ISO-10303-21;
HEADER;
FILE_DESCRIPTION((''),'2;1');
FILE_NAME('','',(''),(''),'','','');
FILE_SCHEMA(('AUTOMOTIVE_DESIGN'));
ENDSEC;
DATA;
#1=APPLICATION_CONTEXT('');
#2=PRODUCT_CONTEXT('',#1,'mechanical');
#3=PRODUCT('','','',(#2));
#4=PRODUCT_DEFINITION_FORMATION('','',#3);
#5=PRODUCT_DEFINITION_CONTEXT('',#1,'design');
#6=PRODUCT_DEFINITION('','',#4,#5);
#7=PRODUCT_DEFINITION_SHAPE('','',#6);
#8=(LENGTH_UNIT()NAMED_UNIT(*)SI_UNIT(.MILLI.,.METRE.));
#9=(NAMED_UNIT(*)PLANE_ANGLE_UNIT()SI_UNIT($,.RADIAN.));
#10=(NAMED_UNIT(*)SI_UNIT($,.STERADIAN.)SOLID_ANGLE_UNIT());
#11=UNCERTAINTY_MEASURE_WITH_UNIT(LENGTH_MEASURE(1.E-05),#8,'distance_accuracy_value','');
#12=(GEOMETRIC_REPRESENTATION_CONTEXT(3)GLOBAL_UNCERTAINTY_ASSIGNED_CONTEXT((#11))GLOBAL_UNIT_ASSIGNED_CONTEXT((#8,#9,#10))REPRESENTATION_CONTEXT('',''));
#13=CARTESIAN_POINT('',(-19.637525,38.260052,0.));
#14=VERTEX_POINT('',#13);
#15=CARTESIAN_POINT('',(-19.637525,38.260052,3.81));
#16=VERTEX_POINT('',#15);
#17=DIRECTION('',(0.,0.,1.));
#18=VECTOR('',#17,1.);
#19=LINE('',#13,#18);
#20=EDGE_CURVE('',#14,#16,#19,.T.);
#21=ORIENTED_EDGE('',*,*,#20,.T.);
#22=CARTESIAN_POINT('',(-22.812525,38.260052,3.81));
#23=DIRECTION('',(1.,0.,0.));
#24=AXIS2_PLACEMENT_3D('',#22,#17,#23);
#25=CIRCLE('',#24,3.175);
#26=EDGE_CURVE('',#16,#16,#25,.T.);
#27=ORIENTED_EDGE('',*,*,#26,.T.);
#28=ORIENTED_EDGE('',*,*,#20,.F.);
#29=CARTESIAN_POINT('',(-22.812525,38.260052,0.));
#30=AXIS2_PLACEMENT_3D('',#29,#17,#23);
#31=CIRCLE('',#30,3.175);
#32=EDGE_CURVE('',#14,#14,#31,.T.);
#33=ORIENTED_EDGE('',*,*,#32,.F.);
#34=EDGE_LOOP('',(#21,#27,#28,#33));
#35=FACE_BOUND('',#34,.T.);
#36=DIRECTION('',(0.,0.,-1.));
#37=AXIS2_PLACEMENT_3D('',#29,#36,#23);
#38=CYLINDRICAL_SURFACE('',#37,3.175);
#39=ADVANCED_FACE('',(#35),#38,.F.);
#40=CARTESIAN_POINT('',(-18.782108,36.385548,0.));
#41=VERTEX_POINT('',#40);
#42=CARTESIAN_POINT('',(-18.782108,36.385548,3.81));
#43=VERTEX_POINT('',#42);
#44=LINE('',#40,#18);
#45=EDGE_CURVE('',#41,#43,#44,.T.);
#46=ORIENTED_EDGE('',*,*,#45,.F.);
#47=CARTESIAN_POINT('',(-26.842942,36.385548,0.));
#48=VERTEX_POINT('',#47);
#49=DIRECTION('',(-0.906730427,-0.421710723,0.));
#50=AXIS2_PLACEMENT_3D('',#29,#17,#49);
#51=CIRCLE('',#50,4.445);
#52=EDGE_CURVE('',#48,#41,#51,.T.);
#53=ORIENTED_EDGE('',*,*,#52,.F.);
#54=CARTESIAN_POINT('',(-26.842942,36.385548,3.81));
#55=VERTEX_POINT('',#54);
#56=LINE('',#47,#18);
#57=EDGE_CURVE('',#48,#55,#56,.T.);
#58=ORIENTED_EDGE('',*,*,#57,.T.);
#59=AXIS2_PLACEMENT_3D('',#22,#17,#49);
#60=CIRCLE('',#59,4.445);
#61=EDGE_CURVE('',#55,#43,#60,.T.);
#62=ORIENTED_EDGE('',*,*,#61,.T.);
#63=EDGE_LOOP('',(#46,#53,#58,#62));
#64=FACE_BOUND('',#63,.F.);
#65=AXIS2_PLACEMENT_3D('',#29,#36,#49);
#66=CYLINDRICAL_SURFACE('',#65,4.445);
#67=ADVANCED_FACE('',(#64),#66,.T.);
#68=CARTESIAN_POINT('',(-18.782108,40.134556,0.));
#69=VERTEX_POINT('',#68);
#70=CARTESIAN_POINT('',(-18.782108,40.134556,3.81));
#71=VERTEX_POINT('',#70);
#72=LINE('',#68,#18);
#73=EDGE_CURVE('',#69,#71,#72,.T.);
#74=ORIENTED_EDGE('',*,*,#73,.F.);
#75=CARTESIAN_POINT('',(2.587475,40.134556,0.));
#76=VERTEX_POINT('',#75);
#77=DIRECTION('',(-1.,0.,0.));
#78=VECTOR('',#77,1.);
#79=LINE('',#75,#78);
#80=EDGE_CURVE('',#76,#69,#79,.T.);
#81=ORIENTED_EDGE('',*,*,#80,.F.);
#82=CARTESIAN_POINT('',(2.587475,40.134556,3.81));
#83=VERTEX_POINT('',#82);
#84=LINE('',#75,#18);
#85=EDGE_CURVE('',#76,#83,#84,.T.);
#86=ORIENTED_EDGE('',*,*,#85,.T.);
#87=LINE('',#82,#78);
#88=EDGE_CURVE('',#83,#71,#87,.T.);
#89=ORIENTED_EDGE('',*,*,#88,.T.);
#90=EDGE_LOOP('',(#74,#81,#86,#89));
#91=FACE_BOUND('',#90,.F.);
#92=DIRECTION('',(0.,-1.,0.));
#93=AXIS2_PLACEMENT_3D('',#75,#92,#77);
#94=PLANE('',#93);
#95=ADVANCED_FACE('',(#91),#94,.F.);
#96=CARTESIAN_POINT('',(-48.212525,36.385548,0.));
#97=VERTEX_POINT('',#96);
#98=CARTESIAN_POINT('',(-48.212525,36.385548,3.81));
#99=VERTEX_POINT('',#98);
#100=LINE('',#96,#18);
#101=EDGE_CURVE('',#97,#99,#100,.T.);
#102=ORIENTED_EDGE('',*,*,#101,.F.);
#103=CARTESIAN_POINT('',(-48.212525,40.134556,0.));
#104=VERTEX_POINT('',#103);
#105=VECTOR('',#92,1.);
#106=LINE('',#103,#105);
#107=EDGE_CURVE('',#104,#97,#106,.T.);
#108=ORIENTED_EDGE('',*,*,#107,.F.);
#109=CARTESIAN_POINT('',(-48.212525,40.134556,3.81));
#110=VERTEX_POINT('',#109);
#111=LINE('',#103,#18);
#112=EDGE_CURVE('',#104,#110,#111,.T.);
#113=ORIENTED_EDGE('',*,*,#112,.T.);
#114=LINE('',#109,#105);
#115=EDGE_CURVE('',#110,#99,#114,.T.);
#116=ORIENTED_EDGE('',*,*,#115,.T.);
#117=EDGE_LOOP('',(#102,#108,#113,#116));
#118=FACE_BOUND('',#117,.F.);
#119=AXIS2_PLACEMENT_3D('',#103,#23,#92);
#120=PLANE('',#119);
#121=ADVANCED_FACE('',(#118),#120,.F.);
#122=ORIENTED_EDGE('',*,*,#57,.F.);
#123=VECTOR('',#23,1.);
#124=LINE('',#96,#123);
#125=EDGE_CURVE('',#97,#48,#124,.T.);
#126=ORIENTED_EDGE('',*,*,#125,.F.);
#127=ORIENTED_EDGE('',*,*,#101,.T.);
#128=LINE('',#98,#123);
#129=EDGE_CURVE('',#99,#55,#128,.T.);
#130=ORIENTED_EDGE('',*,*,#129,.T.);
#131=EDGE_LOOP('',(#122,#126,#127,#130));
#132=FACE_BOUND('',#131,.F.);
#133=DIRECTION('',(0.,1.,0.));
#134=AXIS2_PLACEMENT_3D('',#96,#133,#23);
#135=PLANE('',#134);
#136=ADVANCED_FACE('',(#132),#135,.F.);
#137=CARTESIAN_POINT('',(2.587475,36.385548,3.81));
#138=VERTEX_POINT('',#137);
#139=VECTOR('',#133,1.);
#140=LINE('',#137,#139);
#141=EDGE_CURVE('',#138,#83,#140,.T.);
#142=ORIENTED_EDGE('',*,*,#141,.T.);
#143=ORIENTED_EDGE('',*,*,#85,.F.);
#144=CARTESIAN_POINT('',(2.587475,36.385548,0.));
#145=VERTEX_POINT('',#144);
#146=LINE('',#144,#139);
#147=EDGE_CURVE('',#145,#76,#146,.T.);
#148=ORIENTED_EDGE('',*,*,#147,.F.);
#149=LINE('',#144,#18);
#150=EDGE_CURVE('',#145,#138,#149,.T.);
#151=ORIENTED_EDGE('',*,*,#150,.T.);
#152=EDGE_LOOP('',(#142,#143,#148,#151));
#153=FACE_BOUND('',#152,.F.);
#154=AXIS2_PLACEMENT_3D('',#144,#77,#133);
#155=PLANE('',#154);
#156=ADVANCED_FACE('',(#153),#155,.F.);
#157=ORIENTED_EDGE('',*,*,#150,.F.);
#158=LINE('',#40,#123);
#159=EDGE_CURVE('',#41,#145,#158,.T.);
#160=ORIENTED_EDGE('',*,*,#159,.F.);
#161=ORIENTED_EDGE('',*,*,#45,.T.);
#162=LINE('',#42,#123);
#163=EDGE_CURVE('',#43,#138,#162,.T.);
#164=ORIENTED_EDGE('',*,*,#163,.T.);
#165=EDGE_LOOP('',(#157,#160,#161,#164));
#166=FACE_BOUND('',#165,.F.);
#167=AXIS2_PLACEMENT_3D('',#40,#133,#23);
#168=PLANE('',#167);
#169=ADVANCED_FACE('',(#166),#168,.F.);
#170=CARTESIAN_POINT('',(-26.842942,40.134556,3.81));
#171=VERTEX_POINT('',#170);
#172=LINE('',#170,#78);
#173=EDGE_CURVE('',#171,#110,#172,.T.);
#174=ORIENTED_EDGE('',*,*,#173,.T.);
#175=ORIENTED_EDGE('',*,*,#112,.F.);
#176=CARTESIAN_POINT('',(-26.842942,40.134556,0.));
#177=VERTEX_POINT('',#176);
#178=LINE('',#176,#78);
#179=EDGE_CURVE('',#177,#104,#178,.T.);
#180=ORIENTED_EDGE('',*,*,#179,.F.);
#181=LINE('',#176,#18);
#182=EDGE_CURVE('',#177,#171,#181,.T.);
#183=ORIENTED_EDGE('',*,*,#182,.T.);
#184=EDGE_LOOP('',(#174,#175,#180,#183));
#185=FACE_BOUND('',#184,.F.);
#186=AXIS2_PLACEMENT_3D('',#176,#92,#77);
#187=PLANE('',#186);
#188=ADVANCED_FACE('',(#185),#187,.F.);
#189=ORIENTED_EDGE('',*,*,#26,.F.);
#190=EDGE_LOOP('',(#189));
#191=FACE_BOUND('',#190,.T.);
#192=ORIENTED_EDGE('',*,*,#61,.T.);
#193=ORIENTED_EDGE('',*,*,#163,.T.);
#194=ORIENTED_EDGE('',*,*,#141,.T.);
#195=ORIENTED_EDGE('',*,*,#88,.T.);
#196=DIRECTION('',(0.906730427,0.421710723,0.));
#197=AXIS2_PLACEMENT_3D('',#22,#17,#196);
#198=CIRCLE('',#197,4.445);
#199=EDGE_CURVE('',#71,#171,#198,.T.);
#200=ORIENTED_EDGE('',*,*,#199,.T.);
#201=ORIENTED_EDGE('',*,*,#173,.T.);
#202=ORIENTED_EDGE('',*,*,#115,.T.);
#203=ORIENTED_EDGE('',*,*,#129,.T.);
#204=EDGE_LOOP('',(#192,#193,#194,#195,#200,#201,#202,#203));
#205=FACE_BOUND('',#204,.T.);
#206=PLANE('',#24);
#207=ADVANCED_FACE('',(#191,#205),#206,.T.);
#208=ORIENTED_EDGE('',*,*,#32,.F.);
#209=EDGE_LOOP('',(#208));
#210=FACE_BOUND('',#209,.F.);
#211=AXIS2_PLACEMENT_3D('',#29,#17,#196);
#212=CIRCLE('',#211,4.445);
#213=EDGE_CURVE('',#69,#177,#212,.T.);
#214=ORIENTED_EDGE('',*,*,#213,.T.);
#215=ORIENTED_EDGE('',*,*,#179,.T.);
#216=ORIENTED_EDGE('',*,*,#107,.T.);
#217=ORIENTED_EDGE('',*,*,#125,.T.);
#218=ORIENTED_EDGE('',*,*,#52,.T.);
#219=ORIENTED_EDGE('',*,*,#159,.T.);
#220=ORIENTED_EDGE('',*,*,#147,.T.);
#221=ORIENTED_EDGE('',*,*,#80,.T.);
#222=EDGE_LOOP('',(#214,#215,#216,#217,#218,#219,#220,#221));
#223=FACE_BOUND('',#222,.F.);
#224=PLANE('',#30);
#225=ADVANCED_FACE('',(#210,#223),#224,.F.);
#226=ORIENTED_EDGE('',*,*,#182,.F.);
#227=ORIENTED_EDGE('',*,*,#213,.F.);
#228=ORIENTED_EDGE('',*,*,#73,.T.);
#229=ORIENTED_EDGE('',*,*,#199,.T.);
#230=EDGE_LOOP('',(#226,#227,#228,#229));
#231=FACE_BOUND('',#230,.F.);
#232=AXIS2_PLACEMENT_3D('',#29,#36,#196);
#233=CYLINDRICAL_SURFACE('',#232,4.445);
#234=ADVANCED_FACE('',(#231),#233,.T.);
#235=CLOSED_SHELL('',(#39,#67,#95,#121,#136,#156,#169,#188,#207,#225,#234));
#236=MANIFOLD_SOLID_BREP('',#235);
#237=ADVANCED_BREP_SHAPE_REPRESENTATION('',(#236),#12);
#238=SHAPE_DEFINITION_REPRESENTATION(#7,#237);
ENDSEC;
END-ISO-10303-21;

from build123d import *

# Parameters (mm, degrees)
F0_R     = 3.175
F1_DEPTH = 3.81


with BuildPart() as f1:
    # F0 (on Top) → F1 (new body)
    with BuildSketch(Plane.XY):
        with BuildLine():
            Line((-18.782108, 36.385548), (2.587475, 36.385548))
            Line((2.587475, 36.385548), (2.587475, 40.134556))
            Line((2.587475, 40.134556), (-18.782108, 40.134556))
            ThreePointArc((-18.782108, 40.134556), (-22.812525, 42.705052), (-26.842942, 40.134556))
            Line((-26.842942, 40.134556), (-48.212525, 40.134556))
            Line((-48.212525, 40.134556), (-48.212525, 36.385548))
            Line((-48.212525, 36.385548), (-26.842942, 36.385548))
            ThreePointArc((-26.842942, 36.385548), (-22.812525, 33.815052), (-18.782108, 36.385548))
        make_face()
        with Locations((-22.812525, 38.260052)):
            Circle(F0_R, mode=Mode.SUBTRACT)
    extrude(amount=F1_DEPTH)


solid = f1.part
